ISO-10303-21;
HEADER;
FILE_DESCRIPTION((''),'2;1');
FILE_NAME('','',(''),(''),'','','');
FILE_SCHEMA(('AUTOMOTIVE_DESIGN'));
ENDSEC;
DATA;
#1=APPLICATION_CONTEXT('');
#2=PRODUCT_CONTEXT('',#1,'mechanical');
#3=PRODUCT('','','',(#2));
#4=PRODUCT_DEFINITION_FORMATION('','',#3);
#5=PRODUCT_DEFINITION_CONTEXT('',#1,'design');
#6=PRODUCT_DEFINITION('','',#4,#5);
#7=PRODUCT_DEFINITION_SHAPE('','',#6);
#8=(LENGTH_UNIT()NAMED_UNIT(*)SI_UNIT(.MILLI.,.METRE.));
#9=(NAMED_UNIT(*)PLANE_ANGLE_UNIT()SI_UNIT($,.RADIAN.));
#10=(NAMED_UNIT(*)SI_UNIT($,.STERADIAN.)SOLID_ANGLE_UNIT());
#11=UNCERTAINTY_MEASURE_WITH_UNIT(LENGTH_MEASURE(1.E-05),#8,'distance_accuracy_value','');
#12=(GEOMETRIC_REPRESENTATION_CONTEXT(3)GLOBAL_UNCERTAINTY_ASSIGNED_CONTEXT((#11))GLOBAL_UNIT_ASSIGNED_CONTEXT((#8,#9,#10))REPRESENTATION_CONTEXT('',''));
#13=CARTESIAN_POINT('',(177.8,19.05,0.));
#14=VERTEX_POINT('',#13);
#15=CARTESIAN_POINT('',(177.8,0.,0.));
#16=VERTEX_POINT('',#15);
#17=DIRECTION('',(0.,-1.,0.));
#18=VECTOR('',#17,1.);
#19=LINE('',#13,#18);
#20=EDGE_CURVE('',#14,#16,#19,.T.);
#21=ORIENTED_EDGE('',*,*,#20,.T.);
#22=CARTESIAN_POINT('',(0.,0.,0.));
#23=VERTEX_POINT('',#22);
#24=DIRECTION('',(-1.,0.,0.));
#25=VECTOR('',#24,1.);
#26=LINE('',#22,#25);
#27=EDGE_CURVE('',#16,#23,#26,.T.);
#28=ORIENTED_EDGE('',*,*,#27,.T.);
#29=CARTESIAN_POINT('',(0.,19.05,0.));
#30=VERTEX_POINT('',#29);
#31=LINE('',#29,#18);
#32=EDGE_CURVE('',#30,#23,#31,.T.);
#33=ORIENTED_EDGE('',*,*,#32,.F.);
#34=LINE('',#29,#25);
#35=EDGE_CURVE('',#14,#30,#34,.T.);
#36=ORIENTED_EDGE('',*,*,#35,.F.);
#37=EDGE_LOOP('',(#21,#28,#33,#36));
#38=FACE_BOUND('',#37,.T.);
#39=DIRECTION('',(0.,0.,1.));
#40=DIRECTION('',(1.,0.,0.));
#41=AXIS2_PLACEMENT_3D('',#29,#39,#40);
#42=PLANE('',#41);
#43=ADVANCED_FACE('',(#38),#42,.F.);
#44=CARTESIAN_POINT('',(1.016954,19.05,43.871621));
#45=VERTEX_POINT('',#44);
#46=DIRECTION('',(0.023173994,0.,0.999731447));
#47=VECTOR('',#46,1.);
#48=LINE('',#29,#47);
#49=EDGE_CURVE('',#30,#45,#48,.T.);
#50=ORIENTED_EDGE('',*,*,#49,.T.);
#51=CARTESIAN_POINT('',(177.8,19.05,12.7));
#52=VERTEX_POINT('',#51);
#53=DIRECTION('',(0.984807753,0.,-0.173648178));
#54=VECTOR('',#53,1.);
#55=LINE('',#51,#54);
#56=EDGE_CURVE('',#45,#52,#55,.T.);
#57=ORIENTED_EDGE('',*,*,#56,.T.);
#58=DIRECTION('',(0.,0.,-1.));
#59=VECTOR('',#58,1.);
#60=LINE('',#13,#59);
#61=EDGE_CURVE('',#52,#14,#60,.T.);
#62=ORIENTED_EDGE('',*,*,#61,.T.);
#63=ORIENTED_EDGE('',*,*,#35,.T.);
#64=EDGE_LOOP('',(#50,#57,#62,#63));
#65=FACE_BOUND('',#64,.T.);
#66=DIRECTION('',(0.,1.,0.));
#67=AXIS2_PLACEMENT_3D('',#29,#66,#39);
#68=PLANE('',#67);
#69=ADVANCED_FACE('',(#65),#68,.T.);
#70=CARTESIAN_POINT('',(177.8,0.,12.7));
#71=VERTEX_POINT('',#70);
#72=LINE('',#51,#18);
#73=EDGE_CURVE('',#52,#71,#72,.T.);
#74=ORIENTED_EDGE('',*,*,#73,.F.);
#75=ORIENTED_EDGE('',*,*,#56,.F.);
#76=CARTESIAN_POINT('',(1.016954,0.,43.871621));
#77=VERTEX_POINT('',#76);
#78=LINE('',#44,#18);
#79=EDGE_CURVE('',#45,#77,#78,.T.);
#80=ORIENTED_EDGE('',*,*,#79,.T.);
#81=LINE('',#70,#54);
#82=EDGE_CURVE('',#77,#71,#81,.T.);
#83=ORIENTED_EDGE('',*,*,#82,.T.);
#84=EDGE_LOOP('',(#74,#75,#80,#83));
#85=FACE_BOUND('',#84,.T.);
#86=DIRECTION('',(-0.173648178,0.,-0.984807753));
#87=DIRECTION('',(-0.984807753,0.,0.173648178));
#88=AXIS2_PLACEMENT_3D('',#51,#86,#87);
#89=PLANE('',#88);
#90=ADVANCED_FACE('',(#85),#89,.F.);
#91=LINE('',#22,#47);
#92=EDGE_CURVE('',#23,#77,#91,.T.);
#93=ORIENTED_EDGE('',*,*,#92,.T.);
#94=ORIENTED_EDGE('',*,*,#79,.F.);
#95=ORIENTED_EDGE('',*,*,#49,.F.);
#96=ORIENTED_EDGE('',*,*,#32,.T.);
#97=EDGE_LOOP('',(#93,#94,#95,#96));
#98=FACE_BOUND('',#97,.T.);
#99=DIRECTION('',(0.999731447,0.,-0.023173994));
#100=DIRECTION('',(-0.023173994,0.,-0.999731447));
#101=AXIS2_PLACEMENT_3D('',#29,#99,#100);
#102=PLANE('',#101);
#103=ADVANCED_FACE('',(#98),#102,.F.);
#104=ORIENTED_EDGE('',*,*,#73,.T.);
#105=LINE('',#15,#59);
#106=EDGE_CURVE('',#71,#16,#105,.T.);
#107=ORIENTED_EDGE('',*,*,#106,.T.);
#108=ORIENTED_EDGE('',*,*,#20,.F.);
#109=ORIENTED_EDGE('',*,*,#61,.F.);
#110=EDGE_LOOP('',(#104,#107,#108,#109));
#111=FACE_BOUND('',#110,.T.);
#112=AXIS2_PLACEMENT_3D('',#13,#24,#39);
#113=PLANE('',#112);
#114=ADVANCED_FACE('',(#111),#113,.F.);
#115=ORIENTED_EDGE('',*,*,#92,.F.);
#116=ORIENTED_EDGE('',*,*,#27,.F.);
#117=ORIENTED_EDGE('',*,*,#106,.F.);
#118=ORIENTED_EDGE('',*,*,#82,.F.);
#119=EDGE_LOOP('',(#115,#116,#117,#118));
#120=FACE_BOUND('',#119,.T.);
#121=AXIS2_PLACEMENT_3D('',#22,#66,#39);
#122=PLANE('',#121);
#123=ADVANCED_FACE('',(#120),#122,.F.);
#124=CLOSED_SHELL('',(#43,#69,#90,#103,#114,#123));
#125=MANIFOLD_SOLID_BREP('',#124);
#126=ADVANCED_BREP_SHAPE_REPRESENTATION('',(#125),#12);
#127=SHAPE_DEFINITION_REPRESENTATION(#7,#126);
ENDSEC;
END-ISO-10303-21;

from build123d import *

# Parameters (mm, degrees)
BOSS_EXTRUDE1_DEPTH = 19.05


with BuildPart() as part:
    # Sketch1 → Boss-Extrude1 (new body)
    with BuildSketch(Plane(origin=(0, 0, 0), x_dir=(1, 0, 0), z_dir=(0, 1, 0))):
        Polygon((0, 0), (177.8, 0), (177.8, -12.7), (1.016953795, -43.871620778), align=None)
    extrude(amount=BOSS_EXTRUDE1_DEPTH)


solid = part.part
